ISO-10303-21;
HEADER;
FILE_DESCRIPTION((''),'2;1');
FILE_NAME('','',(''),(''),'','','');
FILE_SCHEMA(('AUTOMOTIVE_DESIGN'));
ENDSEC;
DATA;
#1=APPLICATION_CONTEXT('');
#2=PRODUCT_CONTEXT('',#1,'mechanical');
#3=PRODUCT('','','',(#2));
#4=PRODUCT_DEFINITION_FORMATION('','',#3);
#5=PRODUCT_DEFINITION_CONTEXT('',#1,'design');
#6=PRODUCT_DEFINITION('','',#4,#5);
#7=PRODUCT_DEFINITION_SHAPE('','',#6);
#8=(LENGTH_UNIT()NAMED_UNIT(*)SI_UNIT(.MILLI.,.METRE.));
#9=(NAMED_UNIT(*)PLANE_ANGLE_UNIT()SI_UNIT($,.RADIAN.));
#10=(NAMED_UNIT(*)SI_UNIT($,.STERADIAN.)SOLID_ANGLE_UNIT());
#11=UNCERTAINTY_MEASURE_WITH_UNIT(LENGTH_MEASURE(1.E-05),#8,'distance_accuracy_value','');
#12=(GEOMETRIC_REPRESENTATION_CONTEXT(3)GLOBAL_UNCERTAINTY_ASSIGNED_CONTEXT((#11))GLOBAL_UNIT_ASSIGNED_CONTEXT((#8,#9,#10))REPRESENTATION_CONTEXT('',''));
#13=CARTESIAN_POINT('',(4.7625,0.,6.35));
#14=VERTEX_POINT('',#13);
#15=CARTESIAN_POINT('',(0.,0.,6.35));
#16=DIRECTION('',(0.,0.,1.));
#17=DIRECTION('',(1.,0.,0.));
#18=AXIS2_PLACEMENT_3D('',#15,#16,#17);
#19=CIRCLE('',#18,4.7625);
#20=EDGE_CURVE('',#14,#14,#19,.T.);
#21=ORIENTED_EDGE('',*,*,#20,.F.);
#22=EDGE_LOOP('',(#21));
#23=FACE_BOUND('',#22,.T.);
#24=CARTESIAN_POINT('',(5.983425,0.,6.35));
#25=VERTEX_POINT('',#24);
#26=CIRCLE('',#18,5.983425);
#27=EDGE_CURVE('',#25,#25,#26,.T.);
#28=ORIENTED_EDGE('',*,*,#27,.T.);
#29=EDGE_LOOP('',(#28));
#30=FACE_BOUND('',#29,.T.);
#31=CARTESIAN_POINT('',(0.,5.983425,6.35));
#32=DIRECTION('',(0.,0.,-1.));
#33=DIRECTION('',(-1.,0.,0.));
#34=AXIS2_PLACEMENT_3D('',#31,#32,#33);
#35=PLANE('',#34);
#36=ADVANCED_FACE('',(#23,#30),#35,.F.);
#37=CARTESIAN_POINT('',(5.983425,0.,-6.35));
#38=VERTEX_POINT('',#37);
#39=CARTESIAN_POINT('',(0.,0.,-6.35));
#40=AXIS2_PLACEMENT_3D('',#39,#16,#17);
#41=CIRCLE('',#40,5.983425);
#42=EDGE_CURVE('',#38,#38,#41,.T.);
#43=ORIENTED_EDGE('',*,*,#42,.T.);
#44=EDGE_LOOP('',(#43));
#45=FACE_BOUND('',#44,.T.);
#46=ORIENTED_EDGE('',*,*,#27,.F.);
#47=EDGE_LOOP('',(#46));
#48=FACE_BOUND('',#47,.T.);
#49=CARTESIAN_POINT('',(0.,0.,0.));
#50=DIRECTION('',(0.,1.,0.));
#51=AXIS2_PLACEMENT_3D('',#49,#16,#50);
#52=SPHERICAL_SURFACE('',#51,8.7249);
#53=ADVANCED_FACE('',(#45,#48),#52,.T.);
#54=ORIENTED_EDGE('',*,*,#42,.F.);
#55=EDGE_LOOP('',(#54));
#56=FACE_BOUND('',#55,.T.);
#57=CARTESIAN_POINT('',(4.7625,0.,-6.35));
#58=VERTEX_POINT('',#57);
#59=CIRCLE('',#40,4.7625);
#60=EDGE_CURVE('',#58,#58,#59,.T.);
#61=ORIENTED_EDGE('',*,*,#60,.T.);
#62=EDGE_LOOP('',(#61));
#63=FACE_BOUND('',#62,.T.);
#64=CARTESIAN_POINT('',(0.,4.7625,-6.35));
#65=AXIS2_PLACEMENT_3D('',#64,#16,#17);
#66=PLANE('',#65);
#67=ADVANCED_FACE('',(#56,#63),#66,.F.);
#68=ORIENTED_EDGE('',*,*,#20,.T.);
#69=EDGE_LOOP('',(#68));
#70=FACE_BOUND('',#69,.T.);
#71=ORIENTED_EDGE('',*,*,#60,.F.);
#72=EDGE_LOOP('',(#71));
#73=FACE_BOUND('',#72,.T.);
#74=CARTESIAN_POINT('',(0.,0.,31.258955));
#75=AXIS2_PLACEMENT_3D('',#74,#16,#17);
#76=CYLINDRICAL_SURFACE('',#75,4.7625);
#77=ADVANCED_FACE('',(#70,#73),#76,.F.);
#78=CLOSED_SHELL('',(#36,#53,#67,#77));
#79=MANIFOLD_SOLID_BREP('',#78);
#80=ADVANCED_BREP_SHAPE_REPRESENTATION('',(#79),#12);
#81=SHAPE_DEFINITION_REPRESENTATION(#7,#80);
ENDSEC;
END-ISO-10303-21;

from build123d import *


with BuildPart() as part:
    # Sketch1 → Revolve1 (revolve)
    with BuildSketch(Plane(origin=(0, 0, 0), x_dir=(0, 0, -1), z_dir=(1, 0, 0))):
        with BuildLine():
            Line((-6.35, 5.983425441), (-6.35, 4.7625))
            Line((-6.35, 4.7625), (6.35, 4.7625))
            Line((6.35, 4.7625), (6.35, 5.983425441))
            ThreePointArc((6.35, 5.983425441), (0, 8.7249), (-6.35, 5.983425441))
        make_face()
    revolve(axis=Axis((0, 0, 31.258955331), (0, 0, -1)))


solid = part.part
